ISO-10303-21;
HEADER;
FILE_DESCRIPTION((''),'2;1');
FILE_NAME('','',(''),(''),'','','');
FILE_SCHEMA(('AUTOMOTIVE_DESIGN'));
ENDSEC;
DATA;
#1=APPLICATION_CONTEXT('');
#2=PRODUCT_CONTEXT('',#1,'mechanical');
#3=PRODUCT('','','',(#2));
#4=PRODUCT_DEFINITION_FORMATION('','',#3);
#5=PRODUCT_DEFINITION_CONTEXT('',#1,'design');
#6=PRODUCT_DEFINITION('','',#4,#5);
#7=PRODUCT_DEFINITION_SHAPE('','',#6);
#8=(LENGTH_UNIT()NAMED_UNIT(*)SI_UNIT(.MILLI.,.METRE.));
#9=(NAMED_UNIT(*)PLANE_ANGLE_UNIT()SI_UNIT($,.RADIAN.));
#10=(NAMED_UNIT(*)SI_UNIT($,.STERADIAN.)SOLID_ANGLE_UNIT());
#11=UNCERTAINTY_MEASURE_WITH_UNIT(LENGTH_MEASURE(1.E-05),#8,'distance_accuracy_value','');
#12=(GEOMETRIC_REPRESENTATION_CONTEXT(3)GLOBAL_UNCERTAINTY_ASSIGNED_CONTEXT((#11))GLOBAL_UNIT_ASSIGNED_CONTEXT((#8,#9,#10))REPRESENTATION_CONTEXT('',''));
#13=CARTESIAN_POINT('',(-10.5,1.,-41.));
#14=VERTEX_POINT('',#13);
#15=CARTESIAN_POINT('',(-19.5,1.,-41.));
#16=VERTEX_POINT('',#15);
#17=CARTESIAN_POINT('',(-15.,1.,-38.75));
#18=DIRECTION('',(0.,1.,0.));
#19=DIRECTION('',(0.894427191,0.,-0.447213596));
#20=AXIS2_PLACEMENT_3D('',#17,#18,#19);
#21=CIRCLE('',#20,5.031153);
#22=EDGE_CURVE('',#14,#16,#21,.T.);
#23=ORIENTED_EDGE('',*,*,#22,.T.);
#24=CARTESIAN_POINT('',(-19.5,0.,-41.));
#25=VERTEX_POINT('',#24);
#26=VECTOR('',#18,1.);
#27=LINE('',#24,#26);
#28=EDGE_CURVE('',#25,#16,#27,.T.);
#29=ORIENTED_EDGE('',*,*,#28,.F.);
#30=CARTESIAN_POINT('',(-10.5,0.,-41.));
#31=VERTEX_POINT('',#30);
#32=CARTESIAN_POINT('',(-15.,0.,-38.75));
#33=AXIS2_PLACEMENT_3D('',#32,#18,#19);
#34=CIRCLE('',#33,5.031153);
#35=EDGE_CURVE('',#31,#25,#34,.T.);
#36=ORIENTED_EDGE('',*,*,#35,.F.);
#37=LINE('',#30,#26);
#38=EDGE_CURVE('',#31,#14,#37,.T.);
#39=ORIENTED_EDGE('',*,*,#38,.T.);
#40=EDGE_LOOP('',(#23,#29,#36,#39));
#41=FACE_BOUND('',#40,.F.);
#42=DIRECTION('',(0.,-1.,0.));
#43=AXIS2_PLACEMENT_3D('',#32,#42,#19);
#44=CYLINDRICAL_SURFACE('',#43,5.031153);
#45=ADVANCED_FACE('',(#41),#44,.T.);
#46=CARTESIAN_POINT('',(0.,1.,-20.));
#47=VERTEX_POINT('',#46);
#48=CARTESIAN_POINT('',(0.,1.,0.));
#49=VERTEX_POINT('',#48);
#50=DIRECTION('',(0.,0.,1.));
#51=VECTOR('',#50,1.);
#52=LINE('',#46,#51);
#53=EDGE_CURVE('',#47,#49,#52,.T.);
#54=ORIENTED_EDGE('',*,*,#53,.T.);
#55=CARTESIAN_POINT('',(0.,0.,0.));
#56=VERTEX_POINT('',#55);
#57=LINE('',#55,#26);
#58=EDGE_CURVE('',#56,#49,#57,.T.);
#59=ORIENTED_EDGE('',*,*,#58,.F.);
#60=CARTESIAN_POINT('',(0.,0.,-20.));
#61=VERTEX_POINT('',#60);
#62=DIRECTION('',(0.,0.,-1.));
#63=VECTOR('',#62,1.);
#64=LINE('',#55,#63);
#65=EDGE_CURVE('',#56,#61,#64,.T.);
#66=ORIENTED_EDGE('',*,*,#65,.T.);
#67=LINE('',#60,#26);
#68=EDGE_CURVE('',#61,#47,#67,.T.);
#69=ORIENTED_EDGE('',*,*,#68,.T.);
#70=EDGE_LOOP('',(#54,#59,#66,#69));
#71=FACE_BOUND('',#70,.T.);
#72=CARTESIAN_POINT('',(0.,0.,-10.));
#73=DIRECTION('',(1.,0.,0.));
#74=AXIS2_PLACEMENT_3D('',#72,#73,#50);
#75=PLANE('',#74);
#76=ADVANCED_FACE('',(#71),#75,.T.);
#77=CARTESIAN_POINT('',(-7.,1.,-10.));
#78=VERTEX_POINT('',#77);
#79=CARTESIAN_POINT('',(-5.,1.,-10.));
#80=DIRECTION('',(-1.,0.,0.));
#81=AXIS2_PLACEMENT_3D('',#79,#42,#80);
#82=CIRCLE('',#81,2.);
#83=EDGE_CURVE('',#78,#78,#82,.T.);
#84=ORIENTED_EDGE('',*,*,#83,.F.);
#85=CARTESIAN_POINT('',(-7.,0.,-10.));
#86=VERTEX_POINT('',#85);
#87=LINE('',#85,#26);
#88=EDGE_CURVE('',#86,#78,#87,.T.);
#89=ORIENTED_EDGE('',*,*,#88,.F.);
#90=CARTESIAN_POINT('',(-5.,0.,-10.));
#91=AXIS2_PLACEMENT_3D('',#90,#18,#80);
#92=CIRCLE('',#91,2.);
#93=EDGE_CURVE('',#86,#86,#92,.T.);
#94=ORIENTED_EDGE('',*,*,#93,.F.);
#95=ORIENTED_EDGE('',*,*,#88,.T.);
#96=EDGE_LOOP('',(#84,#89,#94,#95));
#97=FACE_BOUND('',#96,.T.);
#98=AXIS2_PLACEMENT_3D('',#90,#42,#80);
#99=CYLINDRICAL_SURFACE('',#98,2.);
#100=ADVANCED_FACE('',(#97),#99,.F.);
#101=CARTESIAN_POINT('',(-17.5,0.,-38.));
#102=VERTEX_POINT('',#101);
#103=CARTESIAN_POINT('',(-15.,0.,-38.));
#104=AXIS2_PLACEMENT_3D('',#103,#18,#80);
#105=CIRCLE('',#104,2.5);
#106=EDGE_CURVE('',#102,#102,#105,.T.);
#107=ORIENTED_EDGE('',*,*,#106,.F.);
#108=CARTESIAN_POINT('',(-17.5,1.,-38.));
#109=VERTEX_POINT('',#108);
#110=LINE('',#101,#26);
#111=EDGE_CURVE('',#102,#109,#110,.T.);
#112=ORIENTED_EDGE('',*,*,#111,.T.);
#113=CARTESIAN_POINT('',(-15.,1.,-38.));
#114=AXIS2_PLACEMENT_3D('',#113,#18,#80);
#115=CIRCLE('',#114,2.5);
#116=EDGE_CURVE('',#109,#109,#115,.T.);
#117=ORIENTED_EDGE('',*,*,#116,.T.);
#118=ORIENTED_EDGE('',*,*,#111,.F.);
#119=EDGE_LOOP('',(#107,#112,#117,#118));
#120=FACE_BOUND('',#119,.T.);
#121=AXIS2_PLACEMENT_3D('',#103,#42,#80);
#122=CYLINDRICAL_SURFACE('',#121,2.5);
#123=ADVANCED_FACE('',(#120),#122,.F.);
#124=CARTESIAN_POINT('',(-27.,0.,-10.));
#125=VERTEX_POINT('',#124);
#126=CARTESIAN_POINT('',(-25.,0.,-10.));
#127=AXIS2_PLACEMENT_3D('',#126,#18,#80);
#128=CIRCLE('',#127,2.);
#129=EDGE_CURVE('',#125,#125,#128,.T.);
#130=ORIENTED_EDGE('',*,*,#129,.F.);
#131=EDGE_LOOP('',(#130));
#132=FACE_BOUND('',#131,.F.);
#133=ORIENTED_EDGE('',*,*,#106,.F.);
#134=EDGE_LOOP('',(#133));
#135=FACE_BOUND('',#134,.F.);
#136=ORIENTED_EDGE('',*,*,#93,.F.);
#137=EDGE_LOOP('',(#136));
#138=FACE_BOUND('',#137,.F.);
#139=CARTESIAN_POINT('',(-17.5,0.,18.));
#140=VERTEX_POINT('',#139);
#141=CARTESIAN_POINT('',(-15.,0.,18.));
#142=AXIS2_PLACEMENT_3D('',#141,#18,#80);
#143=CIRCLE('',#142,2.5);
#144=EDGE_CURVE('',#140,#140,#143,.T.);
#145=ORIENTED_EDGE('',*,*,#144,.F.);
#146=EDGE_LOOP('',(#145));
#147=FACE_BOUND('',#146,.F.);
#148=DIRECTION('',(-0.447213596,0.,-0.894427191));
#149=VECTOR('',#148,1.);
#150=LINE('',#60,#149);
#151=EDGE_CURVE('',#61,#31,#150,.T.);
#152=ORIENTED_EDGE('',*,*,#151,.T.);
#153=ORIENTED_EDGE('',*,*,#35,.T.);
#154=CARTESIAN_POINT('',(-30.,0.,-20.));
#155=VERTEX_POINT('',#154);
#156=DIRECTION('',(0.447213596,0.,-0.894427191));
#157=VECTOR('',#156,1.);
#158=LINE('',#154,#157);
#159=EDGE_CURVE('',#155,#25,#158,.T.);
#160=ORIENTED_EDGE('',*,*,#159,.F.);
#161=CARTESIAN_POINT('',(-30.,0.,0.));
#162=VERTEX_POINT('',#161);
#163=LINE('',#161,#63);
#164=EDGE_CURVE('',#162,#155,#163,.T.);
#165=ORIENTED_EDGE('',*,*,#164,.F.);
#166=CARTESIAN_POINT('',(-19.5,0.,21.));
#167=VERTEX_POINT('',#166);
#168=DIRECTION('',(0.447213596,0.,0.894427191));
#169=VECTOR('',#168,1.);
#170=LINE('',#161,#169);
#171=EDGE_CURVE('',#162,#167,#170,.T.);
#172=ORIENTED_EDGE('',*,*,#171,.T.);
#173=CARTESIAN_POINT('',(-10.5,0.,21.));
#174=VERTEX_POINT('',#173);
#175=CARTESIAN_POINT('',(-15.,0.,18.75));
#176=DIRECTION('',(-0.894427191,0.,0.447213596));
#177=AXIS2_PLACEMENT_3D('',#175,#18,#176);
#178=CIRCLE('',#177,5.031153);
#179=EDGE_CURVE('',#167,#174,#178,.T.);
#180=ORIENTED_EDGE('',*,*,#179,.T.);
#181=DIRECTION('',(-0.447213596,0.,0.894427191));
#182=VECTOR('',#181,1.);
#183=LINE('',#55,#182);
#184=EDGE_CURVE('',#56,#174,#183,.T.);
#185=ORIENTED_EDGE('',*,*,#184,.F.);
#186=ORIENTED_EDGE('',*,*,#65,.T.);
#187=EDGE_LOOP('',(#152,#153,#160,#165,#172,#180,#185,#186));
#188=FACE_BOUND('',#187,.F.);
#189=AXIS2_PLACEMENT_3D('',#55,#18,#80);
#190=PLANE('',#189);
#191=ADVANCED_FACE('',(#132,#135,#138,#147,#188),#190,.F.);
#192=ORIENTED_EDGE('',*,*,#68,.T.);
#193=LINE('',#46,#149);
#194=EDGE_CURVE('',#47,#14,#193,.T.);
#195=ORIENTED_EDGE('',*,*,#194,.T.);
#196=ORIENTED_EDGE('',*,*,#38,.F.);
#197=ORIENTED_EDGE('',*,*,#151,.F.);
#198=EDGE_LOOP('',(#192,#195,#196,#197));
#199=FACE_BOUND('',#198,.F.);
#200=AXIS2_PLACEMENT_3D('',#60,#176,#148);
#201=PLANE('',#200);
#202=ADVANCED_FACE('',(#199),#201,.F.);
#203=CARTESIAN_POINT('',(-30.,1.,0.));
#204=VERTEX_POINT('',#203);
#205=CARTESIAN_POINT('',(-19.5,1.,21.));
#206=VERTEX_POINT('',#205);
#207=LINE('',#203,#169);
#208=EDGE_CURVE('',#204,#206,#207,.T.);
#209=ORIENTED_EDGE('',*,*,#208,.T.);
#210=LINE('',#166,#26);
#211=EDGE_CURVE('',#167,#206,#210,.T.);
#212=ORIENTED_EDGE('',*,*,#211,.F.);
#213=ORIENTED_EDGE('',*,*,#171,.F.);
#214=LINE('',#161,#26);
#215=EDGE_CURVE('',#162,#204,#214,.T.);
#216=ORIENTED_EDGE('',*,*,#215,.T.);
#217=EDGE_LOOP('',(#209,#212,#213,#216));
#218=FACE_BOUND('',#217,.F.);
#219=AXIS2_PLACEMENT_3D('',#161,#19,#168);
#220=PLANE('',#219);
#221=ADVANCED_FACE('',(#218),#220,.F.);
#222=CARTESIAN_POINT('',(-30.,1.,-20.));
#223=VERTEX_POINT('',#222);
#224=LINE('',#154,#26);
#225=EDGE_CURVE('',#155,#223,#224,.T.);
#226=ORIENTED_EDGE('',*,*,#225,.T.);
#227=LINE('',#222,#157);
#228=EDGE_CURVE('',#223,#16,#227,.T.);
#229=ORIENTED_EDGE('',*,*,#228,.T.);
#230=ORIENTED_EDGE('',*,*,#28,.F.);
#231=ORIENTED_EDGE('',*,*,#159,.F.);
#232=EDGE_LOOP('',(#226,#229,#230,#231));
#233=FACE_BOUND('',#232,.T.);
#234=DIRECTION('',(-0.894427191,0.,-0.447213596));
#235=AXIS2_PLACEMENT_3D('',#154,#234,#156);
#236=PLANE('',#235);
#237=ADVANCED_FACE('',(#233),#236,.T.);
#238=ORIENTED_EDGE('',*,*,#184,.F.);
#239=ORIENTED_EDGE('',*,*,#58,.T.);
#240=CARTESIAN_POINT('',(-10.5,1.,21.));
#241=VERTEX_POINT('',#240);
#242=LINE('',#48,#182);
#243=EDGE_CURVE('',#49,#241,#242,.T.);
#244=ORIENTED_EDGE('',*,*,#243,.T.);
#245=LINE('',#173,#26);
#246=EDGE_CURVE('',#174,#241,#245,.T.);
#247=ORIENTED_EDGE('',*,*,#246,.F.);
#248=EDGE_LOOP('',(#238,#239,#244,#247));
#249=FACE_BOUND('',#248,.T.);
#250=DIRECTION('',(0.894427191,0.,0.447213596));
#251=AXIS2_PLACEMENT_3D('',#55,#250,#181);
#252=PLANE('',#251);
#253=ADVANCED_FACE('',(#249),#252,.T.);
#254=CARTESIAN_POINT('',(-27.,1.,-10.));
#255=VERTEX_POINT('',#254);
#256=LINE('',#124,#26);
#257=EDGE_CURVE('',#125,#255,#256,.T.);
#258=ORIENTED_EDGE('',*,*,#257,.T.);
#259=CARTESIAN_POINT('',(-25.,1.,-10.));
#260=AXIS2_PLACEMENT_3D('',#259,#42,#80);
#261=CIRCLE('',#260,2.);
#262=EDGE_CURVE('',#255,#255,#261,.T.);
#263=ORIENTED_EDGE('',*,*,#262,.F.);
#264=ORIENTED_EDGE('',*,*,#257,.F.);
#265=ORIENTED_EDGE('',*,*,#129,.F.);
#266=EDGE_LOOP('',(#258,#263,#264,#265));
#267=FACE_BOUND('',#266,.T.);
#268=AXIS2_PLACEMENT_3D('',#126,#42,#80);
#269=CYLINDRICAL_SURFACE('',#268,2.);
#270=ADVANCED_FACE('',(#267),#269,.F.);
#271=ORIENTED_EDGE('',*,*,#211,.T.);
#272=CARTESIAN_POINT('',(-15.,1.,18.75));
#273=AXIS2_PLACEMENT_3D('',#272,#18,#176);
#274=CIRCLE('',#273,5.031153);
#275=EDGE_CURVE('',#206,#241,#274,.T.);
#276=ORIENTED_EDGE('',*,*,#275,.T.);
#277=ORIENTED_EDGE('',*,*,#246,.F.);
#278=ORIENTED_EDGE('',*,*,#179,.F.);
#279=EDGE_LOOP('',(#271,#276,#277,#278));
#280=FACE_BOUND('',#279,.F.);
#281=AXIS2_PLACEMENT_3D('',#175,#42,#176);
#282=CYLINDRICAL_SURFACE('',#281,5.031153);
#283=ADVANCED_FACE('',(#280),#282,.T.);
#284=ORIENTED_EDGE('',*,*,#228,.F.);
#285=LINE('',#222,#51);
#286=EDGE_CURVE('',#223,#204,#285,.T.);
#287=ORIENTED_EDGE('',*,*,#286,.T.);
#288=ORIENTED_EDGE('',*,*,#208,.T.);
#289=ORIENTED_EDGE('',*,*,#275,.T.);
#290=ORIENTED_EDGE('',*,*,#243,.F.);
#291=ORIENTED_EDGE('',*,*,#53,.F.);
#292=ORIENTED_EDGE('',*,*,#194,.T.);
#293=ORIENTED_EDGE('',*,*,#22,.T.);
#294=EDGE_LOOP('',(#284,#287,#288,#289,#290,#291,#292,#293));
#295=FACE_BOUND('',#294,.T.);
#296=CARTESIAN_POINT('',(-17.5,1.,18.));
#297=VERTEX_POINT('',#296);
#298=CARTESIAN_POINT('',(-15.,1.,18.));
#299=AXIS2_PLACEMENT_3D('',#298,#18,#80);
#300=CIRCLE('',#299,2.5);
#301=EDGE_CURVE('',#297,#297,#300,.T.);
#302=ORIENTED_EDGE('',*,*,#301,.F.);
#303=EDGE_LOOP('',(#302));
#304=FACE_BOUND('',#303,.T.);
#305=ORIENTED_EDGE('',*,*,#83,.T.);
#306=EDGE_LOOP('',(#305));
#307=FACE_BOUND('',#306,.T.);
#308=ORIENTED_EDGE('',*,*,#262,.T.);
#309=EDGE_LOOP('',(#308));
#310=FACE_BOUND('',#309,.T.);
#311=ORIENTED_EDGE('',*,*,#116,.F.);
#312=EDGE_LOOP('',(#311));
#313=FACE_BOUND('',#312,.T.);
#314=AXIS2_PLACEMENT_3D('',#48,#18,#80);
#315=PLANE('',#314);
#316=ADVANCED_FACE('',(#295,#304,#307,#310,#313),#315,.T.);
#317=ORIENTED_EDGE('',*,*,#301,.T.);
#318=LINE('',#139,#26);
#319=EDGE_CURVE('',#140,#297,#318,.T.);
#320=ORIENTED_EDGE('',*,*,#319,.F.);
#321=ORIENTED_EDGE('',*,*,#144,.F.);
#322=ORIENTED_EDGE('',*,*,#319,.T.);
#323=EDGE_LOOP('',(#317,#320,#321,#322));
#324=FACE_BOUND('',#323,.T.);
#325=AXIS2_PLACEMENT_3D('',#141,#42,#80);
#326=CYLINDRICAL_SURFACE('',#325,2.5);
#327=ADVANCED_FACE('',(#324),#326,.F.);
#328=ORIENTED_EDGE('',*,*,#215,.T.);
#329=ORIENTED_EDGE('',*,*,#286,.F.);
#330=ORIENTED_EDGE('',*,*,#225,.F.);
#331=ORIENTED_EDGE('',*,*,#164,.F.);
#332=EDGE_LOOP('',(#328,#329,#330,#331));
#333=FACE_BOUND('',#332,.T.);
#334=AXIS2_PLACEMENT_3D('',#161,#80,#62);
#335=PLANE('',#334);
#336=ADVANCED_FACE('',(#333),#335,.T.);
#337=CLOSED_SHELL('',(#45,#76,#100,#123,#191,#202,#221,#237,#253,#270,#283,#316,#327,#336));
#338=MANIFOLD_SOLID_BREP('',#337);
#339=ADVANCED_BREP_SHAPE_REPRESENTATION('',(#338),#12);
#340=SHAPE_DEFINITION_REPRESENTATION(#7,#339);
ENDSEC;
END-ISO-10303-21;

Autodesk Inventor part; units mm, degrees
ref_plane "YZ Plane" through (0, 0, 0) normal (1, 0, 0) x (0, 1, 0)
ref_plane "XZ Plane" through (0, 0, 0) normal (0, 1, 0) x (-1, 0, 0)
ref_plane "XY Plane" through (0, 0, 0) normal (0, 0, 1) x (1, 0, 0)
sketch "Sketch1" plane through (0, 0, 0) normal (0, 1, 0) x (-1, 0, 0)
  line L0 (0, 0) -> (30, 0)
  line L1 (30, 0) -> (30, -20)
  line L2 (30, -20) -> (0, -20)
  line L3 (0, -20) -> (0, 0)
  line L4 (30, -10) -> (0, -10)
  line L5 (15, 0) -> (15, -20)
  circle A0 centre (25, -10) radius 2
  circle A1 centre (15, -38) radius 2.5
  line L6 (30, -20) -> (19.5, -41)
  circle A2 centre (5, -10) radius 2
  line L7 (0, -20) -> (10.5, -41)
  arc A3 (10.5, -41) -> (19.5, -41) centre (15, -38.75) ccw
  line L8 (30, 0) -> (0, 0)
  circle A4 centre (15, 18) radius 2.5
  line L9 (30, 0) -> (19.5, 21)
  line L10 (0, 0) -> (10.5, 21)
  arc A5 (19.5, 21) -> (10.5, 21) centre (15, 18.75) ccw
  dimension "d0" = 20
  dimension "d1" = 30
  dimension "d2" = 5
  dimension "d3" = 4
  dimension "d5" = 18
  dimension "d6" = 5
  dimension "d7" = 21
  dimension "d8" = 10.5
extrude "Extrusion1" add sketch "Sketch1" along normal blind 1 contours L10 A5 L9 L0 | L0 L5 L4 A2 L3 | L0 L1 L4 A0 L5 | L4 A2 L5 L2 L3 | L4 A0 L1 L2 L5 | L2 L6 A3 L7
properties part number "Platte2"
